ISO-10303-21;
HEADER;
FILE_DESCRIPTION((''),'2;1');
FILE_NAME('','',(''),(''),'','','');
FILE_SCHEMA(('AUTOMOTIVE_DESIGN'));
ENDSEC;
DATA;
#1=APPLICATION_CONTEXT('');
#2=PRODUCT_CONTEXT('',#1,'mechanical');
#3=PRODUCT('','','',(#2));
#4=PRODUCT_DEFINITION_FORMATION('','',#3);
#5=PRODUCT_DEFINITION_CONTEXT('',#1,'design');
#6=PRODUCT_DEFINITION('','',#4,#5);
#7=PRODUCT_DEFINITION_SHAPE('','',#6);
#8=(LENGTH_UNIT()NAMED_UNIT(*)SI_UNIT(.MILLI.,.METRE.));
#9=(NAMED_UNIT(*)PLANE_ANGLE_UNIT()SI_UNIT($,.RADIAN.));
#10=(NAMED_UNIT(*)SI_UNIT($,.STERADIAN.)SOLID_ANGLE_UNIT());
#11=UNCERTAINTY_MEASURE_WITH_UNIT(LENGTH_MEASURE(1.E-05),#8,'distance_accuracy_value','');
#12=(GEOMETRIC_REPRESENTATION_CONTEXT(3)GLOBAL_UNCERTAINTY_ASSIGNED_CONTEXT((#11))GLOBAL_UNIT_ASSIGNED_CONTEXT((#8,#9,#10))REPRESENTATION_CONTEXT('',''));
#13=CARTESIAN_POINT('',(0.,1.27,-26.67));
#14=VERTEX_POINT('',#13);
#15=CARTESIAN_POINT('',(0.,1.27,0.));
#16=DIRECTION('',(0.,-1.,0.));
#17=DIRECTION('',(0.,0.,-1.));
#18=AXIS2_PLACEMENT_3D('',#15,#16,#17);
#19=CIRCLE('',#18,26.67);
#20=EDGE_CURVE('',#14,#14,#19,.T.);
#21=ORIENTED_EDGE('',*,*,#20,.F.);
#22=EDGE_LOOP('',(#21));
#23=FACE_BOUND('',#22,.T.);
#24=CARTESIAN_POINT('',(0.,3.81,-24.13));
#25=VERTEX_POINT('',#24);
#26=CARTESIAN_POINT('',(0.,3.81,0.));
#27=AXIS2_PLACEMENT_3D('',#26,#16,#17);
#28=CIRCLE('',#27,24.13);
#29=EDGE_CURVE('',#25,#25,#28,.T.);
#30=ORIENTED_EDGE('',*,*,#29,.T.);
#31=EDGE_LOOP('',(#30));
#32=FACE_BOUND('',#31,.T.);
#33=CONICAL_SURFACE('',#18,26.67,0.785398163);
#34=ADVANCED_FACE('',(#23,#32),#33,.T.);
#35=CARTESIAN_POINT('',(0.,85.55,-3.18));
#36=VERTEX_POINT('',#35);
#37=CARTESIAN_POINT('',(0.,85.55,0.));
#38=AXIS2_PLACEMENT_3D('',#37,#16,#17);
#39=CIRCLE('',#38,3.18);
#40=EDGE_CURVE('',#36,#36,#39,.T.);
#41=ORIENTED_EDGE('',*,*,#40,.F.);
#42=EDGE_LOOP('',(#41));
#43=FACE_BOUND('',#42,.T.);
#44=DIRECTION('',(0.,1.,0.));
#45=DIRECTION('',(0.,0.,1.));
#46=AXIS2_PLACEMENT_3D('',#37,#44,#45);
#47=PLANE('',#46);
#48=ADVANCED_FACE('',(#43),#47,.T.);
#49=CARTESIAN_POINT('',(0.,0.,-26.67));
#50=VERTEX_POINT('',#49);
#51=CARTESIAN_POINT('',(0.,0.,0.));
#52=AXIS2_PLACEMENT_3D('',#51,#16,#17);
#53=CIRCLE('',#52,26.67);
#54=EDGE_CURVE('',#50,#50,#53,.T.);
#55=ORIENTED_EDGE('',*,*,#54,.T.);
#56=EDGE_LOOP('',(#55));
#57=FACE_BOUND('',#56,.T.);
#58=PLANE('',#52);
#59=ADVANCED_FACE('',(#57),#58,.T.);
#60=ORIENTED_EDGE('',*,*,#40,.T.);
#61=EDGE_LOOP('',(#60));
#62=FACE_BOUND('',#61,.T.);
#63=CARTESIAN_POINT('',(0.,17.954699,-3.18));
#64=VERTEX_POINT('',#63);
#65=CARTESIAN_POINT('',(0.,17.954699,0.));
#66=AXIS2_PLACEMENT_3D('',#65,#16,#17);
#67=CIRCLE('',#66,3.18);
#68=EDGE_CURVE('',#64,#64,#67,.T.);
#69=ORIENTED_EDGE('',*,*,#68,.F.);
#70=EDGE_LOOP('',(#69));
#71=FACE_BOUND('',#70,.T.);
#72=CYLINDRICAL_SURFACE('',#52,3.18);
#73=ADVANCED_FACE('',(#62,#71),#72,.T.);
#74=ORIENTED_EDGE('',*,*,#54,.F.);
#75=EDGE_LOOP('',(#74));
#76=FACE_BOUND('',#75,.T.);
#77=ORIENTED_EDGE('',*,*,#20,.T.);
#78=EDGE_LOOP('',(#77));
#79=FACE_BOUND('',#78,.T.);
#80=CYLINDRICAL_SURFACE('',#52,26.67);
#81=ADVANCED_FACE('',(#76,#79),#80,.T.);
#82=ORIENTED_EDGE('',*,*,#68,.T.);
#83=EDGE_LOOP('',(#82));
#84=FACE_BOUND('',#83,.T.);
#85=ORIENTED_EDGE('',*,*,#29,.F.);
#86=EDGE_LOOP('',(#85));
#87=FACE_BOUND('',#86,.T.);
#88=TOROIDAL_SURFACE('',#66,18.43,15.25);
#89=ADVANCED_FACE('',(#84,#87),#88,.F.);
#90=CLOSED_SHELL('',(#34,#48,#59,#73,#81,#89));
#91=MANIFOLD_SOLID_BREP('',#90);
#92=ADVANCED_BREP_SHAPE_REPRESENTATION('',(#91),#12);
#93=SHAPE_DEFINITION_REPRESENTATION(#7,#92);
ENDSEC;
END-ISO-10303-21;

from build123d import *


with BuildPart() as part:
    # Sketch1 → Revolve1 (revolve)
    with BuildSketch(Plane.XY):
        with BuildLine():
            Line((0, 0), (0, 85.55))
            Line((0, 85.55), (3.18, 85.55))
            Line((3.18, 85.55), (3.18, 17.954698654))
            ThreePointArc((3.18, 17.954698654), (9.896609701, 5.315721242), (24.13, 3.81))
            Line((24.13, 3.81), (26.67, 1.27))
            Line((26.67, 1.27), (26.67, 0))
            Line((26.67, 0), (0, 0))
        make_face()
    revolve(axis=Axis((0, 0, 0), (0, 1, 0)))


solid = part.part
